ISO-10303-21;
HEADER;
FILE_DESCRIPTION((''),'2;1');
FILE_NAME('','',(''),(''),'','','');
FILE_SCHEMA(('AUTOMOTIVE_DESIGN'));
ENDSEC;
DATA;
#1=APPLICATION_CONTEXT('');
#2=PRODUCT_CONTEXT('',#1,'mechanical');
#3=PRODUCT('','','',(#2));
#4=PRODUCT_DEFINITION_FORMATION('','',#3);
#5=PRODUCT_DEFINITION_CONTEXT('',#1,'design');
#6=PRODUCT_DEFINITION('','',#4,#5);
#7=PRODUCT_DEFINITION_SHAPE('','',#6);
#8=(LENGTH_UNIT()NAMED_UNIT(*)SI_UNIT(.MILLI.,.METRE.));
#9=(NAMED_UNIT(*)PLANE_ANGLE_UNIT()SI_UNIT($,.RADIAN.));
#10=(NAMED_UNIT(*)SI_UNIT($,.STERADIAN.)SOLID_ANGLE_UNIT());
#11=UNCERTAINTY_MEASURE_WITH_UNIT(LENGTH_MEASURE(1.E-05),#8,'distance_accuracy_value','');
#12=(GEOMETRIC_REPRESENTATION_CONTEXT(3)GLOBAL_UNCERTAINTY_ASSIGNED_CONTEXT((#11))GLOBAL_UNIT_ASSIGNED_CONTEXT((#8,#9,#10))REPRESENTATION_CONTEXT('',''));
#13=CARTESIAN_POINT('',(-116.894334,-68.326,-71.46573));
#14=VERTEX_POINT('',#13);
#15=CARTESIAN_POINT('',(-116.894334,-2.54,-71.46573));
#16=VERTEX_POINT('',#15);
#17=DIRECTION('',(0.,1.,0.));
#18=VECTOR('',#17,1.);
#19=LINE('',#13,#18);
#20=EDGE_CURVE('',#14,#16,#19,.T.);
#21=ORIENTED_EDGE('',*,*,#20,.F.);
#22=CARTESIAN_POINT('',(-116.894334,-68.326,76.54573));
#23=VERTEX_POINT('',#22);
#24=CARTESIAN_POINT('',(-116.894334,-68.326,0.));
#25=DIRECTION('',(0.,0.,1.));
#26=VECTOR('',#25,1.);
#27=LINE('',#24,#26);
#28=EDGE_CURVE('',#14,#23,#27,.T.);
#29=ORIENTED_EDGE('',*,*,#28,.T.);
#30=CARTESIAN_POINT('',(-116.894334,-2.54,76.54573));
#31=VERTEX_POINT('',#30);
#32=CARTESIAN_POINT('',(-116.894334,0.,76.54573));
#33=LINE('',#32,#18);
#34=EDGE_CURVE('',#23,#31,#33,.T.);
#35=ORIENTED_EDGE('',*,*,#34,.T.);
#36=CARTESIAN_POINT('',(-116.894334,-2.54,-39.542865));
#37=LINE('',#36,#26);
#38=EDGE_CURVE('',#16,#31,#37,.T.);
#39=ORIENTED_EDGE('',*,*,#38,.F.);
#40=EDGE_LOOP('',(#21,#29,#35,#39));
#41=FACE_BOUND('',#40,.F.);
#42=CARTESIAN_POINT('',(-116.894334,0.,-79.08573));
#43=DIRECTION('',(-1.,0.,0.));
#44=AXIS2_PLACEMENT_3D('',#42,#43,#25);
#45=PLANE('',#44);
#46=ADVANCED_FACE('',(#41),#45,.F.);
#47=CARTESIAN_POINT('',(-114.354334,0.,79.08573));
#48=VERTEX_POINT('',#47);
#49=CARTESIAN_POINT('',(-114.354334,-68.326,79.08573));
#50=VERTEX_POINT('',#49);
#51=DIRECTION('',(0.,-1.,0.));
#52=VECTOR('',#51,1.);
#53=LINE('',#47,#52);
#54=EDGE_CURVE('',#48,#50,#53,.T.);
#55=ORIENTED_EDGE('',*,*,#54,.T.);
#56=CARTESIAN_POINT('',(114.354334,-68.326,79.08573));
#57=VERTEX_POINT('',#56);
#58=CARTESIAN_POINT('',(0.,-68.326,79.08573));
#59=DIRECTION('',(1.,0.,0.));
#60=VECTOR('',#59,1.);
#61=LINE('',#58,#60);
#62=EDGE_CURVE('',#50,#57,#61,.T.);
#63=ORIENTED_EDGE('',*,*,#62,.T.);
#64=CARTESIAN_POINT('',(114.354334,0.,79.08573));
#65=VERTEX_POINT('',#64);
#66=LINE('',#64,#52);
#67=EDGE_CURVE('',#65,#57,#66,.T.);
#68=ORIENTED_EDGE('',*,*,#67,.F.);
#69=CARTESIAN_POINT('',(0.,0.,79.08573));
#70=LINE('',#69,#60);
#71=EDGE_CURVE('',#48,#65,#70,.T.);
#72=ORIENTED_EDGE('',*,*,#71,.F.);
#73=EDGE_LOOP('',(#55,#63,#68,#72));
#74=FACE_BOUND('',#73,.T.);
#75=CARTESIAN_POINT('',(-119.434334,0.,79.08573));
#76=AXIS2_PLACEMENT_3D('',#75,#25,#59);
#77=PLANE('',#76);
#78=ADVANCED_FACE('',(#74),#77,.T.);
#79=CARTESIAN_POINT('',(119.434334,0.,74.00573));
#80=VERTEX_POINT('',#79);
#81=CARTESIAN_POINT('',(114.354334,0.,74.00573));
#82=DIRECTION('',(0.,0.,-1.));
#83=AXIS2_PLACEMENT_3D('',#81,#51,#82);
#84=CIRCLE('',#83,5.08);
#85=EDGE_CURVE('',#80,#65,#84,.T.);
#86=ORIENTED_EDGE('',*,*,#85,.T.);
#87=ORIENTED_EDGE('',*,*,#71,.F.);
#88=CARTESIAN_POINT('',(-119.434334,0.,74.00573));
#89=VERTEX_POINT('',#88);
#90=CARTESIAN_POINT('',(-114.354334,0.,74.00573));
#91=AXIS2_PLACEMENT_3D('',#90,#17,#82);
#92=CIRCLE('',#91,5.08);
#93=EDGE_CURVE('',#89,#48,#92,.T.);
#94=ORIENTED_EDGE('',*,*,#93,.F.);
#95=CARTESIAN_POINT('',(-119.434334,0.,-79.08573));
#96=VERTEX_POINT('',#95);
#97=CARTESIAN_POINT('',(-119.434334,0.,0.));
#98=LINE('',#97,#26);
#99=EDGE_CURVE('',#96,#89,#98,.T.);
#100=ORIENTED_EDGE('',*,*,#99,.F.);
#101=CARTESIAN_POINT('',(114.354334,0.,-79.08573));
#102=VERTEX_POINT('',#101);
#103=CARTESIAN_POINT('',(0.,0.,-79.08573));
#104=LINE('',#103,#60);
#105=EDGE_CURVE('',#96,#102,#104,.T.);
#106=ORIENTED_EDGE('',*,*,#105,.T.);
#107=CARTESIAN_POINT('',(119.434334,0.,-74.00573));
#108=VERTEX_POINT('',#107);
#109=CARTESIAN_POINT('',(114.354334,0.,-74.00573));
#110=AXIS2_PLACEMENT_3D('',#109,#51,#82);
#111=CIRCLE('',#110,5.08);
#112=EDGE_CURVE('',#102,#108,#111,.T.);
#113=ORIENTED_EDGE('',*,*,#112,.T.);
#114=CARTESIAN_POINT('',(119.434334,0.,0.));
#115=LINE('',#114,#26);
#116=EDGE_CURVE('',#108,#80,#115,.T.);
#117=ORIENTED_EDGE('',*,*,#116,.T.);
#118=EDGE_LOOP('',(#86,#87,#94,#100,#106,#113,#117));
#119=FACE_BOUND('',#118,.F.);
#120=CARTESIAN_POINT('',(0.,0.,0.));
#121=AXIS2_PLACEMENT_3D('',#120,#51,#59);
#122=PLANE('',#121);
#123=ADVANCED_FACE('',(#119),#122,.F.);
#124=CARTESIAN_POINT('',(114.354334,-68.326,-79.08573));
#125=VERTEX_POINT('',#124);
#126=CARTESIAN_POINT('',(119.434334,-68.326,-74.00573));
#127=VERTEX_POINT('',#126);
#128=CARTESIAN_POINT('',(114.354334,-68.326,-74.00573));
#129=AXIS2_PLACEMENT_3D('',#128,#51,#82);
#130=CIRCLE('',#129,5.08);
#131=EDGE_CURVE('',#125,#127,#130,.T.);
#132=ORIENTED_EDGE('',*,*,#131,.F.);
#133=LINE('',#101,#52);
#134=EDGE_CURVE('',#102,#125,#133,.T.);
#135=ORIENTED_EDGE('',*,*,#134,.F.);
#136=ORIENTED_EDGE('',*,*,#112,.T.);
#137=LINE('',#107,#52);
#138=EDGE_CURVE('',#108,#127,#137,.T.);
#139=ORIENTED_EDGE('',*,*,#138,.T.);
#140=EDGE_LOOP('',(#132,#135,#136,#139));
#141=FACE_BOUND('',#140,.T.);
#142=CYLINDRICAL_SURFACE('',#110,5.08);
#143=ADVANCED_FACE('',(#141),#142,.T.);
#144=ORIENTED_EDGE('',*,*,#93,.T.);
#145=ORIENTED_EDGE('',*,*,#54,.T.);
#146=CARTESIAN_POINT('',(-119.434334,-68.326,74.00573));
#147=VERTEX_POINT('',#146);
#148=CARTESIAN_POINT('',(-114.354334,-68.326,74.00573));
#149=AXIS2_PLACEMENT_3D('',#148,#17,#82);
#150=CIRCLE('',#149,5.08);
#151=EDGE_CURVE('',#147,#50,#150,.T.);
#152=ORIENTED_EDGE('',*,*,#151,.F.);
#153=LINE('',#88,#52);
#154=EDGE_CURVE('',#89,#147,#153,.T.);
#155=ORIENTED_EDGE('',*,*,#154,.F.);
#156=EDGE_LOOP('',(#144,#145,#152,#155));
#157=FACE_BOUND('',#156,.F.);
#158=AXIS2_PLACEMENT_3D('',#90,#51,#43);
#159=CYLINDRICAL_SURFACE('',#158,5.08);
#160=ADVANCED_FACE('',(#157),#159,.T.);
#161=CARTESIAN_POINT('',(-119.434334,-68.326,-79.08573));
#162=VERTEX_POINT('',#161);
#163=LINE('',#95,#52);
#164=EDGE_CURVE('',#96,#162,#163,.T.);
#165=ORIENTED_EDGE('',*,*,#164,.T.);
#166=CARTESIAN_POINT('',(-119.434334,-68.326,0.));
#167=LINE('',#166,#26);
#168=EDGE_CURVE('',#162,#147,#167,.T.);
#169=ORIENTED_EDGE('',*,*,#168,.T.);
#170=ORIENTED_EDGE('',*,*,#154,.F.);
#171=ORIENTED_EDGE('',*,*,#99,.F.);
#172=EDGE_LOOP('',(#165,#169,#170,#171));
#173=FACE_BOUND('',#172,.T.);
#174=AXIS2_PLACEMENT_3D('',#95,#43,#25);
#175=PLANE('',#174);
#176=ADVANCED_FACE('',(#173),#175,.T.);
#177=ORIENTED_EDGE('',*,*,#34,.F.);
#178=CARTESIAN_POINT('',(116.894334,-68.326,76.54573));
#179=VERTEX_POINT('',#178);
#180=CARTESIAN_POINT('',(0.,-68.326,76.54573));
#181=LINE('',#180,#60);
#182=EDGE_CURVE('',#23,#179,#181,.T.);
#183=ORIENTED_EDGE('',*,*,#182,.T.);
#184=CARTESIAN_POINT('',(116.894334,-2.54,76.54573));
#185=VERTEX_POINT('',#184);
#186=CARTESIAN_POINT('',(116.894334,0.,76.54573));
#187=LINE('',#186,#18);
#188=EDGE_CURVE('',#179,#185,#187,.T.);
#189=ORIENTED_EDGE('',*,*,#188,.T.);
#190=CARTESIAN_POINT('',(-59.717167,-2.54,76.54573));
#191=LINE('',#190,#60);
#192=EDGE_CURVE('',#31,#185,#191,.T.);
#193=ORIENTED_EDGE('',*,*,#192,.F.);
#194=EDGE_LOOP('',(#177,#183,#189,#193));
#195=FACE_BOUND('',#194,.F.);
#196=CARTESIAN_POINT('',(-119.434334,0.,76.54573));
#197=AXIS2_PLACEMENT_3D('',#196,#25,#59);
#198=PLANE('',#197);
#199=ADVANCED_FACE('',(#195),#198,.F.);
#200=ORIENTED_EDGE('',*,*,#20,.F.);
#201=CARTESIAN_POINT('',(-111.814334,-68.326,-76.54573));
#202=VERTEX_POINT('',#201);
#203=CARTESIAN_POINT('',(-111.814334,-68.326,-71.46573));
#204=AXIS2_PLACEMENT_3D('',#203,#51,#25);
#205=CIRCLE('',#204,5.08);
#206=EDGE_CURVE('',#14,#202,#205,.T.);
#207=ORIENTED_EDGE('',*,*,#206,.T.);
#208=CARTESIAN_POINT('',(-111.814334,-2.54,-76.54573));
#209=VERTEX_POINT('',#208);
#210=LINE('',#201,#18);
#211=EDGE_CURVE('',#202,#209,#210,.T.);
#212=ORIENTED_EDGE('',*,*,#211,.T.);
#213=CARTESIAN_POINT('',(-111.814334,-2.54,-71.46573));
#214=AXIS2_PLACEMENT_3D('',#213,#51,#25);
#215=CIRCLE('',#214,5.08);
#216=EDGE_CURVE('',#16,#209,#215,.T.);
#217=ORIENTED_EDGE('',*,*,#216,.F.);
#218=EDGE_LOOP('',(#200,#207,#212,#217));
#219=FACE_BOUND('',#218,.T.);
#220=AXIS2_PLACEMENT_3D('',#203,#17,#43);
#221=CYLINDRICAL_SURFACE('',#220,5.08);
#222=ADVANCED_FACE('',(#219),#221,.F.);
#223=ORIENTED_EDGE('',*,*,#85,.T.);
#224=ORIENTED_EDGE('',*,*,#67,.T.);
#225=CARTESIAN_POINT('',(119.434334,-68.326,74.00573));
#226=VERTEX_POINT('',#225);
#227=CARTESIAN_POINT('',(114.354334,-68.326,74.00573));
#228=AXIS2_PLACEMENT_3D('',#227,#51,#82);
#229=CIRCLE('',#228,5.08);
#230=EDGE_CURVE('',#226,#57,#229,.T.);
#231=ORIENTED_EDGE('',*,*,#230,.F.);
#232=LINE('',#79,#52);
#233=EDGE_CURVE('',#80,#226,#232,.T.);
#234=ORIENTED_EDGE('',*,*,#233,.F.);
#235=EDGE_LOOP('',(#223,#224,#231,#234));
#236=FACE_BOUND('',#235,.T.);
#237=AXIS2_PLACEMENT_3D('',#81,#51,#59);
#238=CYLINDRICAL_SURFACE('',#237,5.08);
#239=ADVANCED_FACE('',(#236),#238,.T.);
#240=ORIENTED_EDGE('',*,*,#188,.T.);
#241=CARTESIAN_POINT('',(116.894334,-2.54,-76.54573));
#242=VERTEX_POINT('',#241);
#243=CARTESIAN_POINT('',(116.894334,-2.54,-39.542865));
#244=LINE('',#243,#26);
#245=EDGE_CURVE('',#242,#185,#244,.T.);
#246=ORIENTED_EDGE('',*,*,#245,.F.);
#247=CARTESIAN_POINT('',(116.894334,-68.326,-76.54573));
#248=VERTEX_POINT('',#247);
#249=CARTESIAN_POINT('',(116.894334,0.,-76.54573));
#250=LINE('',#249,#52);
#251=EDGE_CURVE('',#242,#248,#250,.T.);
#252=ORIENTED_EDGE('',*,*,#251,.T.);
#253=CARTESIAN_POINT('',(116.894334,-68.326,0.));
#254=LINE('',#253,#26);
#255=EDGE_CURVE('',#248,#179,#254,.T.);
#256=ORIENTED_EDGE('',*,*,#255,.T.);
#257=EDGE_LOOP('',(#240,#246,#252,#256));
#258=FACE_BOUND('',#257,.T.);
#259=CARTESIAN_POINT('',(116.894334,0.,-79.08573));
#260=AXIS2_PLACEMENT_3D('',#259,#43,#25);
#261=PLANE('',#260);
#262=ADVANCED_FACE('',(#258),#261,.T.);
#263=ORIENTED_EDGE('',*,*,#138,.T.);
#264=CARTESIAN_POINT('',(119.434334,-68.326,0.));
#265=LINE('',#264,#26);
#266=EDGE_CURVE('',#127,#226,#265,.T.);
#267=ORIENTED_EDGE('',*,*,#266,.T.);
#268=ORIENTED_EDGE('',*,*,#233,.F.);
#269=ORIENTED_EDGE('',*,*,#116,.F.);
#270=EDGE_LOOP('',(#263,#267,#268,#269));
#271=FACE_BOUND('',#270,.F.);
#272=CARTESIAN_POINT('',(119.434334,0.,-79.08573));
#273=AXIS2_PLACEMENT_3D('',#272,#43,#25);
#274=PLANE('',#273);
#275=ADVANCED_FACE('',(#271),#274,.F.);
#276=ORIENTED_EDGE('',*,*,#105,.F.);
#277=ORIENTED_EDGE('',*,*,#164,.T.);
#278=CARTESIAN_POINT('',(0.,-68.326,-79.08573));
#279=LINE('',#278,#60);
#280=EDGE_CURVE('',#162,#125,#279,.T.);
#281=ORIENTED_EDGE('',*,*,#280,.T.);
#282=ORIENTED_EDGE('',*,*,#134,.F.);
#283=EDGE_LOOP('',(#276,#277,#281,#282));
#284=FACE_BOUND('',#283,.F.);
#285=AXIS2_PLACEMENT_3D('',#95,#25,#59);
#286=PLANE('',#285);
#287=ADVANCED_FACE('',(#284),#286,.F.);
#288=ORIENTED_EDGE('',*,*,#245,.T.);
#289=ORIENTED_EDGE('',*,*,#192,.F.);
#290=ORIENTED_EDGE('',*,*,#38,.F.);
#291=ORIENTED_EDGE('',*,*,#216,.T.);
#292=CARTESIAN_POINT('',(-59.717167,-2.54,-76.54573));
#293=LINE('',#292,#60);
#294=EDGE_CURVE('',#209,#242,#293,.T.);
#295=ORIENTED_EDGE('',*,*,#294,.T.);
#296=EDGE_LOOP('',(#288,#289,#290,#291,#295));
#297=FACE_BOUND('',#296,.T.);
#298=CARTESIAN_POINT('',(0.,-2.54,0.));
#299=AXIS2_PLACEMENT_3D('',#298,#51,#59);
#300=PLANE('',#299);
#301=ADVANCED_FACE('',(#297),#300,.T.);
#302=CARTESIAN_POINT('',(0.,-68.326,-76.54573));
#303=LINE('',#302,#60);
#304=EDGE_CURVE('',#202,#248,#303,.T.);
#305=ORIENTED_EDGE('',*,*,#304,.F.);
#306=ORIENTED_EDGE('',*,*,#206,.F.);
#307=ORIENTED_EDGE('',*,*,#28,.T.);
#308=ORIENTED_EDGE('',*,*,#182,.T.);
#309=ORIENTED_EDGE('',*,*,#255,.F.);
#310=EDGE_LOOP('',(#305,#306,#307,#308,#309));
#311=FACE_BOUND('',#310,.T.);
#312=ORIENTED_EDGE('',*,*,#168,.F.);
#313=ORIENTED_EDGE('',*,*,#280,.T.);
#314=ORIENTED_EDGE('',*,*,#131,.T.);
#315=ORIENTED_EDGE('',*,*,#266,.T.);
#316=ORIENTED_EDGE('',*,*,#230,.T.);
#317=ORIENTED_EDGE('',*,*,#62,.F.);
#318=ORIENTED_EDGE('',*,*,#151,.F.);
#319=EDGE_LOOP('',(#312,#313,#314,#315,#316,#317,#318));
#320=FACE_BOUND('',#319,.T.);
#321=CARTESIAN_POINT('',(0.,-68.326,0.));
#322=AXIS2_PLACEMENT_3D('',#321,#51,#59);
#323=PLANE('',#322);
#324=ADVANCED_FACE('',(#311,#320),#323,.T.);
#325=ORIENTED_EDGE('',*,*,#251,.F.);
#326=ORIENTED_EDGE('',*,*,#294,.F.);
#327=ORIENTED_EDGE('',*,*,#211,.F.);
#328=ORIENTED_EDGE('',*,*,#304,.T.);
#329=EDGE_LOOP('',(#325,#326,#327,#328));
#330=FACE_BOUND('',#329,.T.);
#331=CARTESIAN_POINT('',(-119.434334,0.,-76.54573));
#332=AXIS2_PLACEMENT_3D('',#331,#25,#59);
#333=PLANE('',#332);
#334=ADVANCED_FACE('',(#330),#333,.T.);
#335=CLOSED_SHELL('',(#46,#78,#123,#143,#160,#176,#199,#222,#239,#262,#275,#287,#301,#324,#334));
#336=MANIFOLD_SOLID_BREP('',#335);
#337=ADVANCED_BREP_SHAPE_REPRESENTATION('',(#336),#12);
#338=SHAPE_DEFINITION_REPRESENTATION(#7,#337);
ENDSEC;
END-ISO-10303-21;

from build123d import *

# Parameters (mm, degrees)
F0_W     = 238.8686686754
F0_H     = 158.1714600325
F1_DEPTH = 68.326
F2_T     = -2.54
F3_R     = 5.08


with BuildPart() as f1:
    # F0 (on Front) → F1 (new body)
    with BuildSketch(Plane.XZ):
        Rectangle(F0_W, F0_H)
    extrude(amount=F1_DEPTH)

    # F2
    f2_openings = [f1.faces().sort_by_distance(p)[0] for p in [
        (0, -68.326, 0),
    ]]
    offset(amount=F2_T, openings=f2_openings)

    # F3
    f3_edges = [f1.edges().sort_by_distance(p)[0] for p in [
        (-119.434334, -34.163, 79.08573),
        (119.434334, -34.163, 79.08573),
        (119.434334, -34.163, -79.08573),
        (-116.894334, -35.433, -76.54573),
    ]]
    fillet(f3_edges, radius=F3_R)


solid = f1.part
